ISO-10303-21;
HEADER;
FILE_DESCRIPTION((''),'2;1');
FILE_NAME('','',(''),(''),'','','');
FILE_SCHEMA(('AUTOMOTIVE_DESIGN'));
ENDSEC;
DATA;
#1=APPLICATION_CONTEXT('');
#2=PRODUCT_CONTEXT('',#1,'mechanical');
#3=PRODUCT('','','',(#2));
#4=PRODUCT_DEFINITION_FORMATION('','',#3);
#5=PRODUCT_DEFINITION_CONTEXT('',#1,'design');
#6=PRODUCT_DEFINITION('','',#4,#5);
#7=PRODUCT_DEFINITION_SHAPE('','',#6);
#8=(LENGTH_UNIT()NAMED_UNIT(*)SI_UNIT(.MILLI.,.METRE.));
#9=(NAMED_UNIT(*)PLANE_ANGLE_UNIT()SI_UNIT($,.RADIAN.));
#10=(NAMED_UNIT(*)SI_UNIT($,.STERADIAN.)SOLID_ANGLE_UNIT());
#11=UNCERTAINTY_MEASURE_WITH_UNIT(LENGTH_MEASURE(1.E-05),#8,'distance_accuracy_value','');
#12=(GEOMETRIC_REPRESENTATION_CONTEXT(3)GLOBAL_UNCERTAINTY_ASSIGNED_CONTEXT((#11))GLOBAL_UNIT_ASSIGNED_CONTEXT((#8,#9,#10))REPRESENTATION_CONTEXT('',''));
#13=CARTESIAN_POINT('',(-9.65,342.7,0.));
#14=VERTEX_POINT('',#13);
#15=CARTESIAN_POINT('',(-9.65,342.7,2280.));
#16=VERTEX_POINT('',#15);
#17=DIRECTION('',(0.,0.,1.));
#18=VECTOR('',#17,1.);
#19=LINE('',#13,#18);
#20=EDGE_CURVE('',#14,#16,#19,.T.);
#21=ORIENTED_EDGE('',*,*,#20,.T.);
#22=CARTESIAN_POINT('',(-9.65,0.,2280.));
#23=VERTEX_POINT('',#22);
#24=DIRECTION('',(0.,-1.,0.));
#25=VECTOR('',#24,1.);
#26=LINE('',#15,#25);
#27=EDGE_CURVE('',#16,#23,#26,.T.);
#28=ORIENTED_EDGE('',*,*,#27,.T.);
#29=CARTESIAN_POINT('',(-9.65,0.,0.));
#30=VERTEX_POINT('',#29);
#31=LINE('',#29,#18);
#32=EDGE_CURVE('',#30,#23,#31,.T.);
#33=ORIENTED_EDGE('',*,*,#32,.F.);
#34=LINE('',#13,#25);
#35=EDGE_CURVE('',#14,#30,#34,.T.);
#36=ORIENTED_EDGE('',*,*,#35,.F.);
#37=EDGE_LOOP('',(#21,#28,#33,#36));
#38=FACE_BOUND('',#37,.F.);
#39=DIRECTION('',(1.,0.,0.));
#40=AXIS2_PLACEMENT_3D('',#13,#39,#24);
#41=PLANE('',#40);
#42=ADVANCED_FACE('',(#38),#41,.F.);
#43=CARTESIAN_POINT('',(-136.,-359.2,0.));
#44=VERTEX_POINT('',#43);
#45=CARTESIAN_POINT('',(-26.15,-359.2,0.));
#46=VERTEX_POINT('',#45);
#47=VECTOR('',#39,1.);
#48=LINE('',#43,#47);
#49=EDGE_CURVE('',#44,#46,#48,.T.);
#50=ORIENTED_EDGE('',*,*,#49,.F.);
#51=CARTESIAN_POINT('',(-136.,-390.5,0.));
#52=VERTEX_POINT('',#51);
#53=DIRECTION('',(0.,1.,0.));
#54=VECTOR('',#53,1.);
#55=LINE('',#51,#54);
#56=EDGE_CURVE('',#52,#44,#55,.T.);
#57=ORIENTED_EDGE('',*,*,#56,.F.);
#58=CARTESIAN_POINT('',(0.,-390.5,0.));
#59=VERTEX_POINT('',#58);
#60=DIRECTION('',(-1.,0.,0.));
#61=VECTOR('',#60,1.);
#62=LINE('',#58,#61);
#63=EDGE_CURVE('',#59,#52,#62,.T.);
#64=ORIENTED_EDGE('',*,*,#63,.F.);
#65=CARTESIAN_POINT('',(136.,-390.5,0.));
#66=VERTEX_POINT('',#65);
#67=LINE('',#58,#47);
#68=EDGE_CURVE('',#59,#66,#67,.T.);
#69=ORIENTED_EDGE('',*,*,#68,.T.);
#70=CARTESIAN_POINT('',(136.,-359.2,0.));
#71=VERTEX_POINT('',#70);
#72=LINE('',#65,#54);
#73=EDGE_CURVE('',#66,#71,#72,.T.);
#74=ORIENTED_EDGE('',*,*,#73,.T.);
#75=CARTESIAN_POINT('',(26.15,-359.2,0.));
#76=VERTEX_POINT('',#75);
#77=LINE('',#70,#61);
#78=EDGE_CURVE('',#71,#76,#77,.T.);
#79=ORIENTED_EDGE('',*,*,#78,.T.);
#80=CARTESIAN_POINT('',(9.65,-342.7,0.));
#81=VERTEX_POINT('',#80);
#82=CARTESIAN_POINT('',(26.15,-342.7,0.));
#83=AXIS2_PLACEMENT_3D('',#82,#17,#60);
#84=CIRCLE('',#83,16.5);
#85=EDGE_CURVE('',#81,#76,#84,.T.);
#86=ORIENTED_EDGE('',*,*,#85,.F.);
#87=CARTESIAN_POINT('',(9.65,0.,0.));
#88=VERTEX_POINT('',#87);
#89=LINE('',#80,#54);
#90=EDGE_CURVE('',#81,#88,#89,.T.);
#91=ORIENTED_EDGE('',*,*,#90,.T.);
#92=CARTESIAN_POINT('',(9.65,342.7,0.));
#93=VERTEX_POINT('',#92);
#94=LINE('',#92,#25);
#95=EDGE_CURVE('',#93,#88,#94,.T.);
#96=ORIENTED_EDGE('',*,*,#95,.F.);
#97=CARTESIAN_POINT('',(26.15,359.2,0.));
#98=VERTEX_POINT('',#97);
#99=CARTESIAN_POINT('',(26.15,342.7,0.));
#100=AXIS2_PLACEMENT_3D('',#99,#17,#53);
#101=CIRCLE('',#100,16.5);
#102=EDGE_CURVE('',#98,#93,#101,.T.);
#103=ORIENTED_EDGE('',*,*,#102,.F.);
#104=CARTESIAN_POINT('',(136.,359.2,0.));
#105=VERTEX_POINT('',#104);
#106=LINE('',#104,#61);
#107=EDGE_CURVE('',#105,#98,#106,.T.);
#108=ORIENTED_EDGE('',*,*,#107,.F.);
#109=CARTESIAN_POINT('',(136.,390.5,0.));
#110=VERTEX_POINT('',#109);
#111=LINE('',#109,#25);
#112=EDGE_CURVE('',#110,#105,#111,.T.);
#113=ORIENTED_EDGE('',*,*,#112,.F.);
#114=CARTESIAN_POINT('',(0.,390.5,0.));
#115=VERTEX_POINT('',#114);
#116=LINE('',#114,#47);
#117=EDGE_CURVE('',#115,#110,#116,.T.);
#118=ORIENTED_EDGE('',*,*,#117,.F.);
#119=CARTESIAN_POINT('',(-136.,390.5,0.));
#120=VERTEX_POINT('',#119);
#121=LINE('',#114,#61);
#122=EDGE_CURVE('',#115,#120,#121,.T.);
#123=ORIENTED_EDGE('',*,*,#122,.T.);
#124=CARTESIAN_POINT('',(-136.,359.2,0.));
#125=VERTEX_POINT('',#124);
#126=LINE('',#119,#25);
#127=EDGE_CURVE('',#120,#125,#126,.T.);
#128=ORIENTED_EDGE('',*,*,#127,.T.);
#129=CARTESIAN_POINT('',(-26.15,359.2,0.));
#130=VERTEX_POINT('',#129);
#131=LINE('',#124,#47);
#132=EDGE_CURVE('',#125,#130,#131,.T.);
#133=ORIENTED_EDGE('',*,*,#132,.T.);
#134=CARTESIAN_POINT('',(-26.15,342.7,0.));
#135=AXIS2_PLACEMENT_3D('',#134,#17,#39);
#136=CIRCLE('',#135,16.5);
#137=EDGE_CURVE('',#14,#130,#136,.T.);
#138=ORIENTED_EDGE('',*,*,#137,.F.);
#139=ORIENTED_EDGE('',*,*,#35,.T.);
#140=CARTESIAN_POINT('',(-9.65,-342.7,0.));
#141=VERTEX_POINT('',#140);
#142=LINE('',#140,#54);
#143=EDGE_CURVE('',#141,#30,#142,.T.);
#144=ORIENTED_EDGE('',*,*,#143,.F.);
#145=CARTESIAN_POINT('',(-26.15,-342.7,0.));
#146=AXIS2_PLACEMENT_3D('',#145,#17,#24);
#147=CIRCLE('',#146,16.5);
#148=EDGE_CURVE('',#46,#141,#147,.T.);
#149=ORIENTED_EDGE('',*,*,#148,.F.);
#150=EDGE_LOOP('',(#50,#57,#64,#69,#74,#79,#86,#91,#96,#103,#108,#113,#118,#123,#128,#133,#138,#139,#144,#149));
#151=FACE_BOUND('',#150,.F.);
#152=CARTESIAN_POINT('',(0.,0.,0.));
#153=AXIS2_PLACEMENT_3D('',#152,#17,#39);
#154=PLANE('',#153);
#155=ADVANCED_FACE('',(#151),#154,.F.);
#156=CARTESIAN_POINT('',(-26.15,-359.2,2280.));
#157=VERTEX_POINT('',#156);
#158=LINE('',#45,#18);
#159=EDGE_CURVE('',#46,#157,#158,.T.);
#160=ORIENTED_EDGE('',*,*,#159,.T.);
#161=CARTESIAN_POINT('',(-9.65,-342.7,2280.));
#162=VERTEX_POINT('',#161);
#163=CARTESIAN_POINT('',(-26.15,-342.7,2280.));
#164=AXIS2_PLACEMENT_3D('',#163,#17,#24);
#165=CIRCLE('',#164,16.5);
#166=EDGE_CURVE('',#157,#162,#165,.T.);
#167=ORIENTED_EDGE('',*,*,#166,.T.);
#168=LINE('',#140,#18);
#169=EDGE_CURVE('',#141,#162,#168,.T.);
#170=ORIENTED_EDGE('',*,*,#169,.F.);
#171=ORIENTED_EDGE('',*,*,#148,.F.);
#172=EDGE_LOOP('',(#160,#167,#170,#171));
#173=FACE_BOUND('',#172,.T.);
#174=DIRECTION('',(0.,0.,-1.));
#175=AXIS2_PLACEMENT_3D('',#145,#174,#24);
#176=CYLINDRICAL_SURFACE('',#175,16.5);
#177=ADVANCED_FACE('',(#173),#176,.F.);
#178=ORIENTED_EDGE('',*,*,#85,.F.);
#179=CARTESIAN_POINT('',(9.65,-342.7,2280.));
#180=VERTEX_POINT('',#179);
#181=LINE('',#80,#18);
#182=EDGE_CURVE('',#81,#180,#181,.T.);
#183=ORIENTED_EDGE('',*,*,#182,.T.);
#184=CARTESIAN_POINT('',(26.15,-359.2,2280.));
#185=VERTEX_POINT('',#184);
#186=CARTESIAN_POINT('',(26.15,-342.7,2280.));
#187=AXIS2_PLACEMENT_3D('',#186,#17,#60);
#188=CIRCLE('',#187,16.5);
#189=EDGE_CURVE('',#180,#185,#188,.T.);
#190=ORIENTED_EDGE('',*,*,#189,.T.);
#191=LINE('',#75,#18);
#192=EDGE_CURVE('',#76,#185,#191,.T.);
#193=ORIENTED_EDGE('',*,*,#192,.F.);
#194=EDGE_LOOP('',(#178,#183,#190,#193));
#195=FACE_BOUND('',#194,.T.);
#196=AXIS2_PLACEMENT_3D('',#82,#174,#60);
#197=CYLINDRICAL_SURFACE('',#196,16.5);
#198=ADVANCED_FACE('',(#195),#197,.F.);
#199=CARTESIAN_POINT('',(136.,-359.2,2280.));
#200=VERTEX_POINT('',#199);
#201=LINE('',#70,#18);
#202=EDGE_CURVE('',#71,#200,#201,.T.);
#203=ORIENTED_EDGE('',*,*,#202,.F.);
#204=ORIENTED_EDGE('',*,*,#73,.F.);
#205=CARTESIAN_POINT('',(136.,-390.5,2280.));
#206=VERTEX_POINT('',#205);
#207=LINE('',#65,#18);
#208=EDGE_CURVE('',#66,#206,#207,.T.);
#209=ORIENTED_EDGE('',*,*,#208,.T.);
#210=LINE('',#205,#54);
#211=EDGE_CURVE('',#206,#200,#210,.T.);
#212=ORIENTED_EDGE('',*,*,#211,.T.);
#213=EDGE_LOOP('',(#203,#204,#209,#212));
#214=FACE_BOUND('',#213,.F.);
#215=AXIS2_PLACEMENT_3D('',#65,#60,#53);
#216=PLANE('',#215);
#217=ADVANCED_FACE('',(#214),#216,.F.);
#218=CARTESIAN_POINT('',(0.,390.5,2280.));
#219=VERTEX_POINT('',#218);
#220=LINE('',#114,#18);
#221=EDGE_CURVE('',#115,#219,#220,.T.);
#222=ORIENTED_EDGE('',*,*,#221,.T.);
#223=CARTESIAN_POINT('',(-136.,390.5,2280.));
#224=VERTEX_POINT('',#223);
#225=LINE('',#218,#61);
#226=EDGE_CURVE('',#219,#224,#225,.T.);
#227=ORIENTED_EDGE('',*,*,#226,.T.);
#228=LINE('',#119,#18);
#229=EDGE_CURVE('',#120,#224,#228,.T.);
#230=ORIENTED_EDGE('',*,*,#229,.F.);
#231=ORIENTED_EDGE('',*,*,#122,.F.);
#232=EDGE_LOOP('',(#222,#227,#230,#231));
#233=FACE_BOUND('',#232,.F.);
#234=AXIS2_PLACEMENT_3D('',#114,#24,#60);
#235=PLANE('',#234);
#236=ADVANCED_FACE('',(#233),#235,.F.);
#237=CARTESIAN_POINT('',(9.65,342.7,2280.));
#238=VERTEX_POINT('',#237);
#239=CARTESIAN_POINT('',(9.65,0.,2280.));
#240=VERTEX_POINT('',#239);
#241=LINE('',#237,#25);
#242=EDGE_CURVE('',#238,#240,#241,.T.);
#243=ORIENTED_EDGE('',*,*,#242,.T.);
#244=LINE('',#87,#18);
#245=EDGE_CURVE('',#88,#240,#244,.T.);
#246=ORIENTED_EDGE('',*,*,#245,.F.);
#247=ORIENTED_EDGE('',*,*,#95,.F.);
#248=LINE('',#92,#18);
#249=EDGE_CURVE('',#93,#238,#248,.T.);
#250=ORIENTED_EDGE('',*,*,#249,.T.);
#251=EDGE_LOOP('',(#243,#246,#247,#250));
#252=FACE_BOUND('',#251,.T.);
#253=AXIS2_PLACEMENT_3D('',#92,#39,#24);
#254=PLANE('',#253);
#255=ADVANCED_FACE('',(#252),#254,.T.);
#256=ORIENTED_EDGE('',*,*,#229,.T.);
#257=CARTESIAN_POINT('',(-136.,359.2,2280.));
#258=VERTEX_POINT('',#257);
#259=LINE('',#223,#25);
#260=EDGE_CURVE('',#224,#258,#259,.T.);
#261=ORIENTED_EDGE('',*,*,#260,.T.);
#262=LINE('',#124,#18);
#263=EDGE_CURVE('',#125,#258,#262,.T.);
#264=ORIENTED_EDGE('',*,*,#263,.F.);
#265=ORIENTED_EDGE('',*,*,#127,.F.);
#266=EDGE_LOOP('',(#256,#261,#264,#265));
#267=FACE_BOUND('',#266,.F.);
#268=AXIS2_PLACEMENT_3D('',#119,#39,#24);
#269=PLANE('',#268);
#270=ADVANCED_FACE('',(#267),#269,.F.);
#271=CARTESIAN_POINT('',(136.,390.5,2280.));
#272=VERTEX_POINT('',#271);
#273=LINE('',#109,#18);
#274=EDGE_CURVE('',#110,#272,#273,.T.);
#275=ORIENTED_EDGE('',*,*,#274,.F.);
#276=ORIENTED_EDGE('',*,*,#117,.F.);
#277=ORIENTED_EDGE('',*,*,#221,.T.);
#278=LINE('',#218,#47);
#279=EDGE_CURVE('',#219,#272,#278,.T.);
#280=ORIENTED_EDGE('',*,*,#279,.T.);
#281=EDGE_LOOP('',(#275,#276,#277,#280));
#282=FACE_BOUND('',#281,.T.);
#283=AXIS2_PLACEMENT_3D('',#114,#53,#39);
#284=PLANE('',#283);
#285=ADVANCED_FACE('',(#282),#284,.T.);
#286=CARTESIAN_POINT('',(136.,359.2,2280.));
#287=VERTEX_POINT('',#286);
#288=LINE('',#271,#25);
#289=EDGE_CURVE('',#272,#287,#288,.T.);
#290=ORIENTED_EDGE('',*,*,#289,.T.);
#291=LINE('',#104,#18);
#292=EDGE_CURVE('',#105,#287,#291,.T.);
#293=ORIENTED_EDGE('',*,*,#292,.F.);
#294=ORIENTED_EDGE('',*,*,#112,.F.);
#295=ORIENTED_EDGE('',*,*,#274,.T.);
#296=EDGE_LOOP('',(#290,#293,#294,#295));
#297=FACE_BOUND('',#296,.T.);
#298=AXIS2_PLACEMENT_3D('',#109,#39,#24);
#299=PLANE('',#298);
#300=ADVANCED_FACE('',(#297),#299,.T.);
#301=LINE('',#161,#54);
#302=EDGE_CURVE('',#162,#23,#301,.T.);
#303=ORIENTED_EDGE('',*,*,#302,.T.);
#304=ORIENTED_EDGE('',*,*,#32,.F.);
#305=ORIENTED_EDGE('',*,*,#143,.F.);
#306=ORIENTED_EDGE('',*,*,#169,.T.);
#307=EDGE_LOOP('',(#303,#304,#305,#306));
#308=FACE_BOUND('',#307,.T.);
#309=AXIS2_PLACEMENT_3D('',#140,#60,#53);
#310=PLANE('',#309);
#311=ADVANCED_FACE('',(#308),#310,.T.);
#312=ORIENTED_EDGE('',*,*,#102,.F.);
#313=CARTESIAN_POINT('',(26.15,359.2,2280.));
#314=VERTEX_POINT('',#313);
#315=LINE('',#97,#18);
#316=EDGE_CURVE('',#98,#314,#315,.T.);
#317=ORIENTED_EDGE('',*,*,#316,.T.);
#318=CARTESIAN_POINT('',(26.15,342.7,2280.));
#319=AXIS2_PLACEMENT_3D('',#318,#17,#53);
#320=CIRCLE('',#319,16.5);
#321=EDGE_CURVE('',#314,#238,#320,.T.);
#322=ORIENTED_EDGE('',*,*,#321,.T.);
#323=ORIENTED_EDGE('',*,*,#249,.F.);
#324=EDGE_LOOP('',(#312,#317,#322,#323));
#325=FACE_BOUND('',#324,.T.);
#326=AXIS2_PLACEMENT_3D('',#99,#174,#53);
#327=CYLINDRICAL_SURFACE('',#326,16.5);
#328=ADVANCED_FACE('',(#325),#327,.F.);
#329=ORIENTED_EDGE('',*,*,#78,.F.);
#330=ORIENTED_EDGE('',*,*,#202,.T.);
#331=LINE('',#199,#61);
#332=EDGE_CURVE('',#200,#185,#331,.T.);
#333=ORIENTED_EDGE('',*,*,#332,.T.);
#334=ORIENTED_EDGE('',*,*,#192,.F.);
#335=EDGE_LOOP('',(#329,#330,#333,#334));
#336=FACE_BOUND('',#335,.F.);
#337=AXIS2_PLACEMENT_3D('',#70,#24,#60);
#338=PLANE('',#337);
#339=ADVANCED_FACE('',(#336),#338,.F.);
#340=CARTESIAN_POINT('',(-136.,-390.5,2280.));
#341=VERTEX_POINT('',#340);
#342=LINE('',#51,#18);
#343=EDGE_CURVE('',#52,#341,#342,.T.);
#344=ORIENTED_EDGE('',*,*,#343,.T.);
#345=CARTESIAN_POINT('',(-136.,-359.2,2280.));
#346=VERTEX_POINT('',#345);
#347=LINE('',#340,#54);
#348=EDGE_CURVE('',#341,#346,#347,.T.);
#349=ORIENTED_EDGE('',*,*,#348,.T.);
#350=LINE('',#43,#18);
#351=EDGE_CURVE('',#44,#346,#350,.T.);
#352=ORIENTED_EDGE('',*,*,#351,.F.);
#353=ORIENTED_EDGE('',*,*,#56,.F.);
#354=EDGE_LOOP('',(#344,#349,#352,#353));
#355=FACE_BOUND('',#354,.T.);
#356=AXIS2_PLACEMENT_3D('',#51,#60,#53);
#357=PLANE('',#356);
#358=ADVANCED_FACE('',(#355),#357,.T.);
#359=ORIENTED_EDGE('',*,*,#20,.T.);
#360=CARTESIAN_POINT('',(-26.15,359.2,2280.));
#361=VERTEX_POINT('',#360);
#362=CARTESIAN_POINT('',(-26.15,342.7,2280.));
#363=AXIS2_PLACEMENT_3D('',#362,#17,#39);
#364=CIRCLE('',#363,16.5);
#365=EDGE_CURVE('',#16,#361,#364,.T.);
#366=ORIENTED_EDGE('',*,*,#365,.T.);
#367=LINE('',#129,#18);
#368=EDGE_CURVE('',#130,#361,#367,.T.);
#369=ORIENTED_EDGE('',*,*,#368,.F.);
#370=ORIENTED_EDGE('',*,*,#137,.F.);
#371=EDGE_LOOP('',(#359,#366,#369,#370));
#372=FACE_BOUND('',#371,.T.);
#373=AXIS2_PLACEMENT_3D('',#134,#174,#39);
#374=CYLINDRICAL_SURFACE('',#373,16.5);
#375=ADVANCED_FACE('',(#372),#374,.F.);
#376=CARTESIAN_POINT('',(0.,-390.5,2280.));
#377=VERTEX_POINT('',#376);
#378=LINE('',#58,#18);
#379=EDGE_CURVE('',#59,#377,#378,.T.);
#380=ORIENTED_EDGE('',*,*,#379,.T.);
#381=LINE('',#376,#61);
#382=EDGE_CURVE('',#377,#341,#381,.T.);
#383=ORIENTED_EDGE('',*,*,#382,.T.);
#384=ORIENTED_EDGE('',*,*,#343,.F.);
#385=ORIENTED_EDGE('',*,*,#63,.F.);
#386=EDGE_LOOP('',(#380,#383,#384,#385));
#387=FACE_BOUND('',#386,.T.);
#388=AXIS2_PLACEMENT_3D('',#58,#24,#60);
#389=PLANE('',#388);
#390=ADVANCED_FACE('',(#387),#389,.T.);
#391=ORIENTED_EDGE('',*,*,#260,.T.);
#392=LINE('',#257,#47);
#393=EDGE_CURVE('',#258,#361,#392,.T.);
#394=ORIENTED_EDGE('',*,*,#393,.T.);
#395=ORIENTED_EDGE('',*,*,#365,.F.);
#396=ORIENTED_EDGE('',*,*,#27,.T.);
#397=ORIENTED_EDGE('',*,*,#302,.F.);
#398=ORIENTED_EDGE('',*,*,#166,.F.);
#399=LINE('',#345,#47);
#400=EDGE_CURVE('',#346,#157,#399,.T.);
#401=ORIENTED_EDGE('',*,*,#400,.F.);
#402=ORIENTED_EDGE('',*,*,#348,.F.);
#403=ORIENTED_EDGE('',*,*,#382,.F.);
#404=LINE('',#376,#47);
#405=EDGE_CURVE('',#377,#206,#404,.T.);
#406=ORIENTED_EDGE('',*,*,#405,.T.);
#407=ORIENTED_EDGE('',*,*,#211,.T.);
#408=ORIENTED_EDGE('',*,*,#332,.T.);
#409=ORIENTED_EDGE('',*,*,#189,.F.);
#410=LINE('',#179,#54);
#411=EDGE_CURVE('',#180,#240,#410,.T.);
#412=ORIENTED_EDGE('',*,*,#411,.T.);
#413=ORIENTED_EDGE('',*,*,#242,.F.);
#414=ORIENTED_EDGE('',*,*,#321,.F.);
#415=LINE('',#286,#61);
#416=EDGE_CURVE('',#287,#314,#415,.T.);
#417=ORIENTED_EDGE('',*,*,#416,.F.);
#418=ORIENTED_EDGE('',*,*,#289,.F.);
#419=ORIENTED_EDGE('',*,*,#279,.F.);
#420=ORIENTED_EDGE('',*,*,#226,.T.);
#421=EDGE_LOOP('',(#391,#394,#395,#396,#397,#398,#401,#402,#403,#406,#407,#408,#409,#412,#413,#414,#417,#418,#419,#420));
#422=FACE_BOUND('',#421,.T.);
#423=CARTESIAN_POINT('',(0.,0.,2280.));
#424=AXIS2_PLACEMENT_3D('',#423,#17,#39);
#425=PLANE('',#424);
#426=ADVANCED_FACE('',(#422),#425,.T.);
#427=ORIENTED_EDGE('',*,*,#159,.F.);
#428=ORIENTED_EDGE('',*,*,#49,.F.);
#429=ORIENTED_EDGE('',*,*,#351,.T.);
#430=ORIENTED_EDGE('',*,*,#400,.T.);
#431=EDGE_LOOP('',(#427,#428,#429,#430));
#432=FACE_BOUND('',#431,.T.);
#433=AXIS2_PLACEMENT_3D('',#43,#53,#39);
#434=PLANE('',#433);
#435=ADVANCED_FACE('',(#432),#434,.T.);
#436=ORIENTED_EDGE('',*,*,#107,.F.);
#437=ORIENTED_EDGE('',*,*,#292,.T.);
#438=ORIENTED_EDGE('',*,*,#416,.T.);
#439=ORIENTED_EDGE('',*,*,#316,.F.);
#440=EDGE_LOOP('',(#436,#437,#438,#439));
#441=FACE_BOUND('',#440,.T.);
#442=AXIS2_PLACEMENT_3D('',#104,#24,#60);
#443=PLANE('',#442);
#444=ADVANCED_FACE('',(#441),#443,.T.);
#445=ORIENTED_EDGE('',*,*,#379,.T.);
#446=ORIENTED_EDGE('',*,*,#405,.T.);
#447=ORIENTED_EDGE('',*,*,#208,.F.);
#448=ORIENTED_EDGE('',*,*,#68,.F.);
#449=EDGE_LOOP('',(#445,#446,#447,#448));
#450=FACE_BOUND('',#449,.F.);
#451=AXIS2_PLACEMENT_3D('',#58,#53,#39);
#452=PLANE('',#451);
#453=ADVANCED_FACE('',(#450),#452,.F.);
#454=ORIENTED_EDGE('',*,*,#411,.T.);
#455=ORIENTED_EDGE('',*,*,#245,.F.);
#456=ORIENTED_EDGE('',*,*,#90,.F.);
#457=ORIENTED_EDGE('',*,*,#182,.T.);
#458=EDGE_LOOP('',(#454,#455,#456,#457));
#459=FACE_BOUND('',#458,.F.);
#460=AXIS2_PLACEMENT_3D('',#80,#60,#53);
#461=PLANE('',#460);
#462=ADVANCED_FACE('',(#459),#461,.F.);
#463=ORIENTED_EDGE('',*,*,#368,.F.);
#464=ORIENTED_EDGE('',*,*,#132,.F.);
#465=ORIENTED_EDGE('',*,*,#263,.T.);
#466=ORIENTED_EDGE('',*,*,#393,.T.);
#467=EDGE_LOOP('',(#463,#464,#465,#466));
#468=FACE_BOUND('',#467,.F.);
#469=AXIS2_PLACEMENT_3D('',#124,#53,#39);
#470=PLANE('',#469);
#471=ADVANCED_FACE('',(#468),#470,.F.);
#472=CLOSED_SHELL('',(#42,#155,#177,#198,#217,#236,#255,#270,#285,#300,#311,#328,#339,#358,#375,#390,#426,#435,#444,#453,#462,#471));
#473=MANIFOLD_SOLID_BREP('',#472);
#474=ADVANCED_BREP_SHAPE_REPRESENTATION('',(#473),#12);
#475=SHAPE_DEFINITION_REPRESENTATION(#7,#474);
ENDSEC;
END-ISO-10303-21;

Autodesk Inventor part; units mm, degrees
ref_plane "YZ Plane" through (0, 0, 0) normal (1, 0, 0) x (0, 1, 0)
ref_plane "Start plane" through (0, 0, 0) normal (0, 0, 1) x (1, 0, 0)
ref_plane "End plane" through (0, 0, 2280) normal (0, 0, 1) x (1, 0, 0)
sketch "Sketch" plane through (0, 0, 0) normal (0, 0, 1) x (1, 0, 0)
  line L0 (-136, -390.5) -> (-136, -359.2)
  line L1 (-136, -359.2) -> (-26.15, -359.2)
  line L2 (-9.65, -342.7) -> (-9.65, 0)
  line L3 (-9.65, 0) -> (0, 0) construction
  line L4 (0, 0) -> (0, -390.5) construction
  line L5 (0, -390.5) -> (-136, -390.5)
  line L6 (-60, 0) -> (80, 0) construction
  line L7 (0, -60) -> (0, 80) construction
  line L8 (136, -390.5) -> (136, -359.2)
  line L9 (136, -359.2) -> (26.15, -359.2)
  line L10 (9.65, -342.7) -> (9.65, 0)
  line L11 (9.65, 0) -> (0, 0) construction
  line L12 (0, -390.5) -> (136, -390.5)
  line L13 (-136, 390.5) -> (-136, 359.2)
  line L14 (-136, 359.2) -> (-26.15, 359.2)
  line L15 (-9.65, 342.7) -> (-9.65, 0)
  line L16 (0, 390.5) -> (-136, 390.5)
  line L17 (136, 390.5) -> (136, 359.2)
  line L18 (136, 359.2) -> (26.15, 359.2)
  line L19 (0, 390.5) -> (136, 390.5)
  line L20 (9.65, 342.7) -> (9.65, 0)
  arc A0 (-9.65, 342.7) -> (-26.15, 359.2) centre (-26.15, 342.7) ccw
  arc A1 (26.15, 359.2) -> (9.65, 342.7) centre (26.15, 342.7) ccw
  arc A2 (9.65, -342.7) -> (26.15, -359.2) centre (26.15, -342.7) ccw
  arc A3 (-26.15, -359.2) -> (-9.65, -342.7) centre (-26.15, -342.7) ccw
  line L21 (0, 108) -> (0, -88) construction
  line L22 (-88, 0) -> (108, 0) construction
  point P0 (-9.65, -359.2)
  point P1 (9.65, -359.2)
  point P2 (-9.65, 359.2)
  point P3 (9.65, 359.2)
  dimension "d1" = 390.5
  dimension "d2" = 31.3
  dimension "d3" = 136
  dimension "d4" = 9.65
  dimension "d10" = 16.5
extrude "Body" add sketch "Sketch" along normal up to surface (2280 mm away) from surface at 0
sketch "Sketch4" plane through (0, 0, 0) normal (0, 0, 1) x (1, 0, 0)
  line L0 (0, 0) -> (10, 0)
ref_plane "Work Plane3" through (0, 0, 0) normal (0, -1, 0) x (1, 0, 0)
sketch "Sketch5" plane through (0, 0, 0) normal (0, -1, 0) x (1, 0, 0)
  line L0 (-2, 0) -> (12, 0) projected
  line L1 (-2, 2280) -> (12, 2280) projected
  dimension "d14" = 2280
equation "\"d1\" = 0.5 * G_H"
equation "\"d2\" = G_T1"
equation "\"d3\" = 0.5 * G_W"
equation "\"d4\" = 0.5 * G_T"
equation "\"d10\" = G_IR"
equation "\"d5\" = G_L"
equation "\"G_W\" = 272"
equation "\"G_H\" = 781"
equation "\"G_T\" = 19.3"
equation "\"G_T1\" = 31.3"
equation "\"G_IR\" = 16.5"
equation "\"G_L\" = d14"
equation "\"G_OFFSET_START\" = 0"
equation "\"G_OFFSET_END\" = 0"
properties part number "AS 3679-1990 - 760 UB - 244 - 2280" material "Steel, Mild"
